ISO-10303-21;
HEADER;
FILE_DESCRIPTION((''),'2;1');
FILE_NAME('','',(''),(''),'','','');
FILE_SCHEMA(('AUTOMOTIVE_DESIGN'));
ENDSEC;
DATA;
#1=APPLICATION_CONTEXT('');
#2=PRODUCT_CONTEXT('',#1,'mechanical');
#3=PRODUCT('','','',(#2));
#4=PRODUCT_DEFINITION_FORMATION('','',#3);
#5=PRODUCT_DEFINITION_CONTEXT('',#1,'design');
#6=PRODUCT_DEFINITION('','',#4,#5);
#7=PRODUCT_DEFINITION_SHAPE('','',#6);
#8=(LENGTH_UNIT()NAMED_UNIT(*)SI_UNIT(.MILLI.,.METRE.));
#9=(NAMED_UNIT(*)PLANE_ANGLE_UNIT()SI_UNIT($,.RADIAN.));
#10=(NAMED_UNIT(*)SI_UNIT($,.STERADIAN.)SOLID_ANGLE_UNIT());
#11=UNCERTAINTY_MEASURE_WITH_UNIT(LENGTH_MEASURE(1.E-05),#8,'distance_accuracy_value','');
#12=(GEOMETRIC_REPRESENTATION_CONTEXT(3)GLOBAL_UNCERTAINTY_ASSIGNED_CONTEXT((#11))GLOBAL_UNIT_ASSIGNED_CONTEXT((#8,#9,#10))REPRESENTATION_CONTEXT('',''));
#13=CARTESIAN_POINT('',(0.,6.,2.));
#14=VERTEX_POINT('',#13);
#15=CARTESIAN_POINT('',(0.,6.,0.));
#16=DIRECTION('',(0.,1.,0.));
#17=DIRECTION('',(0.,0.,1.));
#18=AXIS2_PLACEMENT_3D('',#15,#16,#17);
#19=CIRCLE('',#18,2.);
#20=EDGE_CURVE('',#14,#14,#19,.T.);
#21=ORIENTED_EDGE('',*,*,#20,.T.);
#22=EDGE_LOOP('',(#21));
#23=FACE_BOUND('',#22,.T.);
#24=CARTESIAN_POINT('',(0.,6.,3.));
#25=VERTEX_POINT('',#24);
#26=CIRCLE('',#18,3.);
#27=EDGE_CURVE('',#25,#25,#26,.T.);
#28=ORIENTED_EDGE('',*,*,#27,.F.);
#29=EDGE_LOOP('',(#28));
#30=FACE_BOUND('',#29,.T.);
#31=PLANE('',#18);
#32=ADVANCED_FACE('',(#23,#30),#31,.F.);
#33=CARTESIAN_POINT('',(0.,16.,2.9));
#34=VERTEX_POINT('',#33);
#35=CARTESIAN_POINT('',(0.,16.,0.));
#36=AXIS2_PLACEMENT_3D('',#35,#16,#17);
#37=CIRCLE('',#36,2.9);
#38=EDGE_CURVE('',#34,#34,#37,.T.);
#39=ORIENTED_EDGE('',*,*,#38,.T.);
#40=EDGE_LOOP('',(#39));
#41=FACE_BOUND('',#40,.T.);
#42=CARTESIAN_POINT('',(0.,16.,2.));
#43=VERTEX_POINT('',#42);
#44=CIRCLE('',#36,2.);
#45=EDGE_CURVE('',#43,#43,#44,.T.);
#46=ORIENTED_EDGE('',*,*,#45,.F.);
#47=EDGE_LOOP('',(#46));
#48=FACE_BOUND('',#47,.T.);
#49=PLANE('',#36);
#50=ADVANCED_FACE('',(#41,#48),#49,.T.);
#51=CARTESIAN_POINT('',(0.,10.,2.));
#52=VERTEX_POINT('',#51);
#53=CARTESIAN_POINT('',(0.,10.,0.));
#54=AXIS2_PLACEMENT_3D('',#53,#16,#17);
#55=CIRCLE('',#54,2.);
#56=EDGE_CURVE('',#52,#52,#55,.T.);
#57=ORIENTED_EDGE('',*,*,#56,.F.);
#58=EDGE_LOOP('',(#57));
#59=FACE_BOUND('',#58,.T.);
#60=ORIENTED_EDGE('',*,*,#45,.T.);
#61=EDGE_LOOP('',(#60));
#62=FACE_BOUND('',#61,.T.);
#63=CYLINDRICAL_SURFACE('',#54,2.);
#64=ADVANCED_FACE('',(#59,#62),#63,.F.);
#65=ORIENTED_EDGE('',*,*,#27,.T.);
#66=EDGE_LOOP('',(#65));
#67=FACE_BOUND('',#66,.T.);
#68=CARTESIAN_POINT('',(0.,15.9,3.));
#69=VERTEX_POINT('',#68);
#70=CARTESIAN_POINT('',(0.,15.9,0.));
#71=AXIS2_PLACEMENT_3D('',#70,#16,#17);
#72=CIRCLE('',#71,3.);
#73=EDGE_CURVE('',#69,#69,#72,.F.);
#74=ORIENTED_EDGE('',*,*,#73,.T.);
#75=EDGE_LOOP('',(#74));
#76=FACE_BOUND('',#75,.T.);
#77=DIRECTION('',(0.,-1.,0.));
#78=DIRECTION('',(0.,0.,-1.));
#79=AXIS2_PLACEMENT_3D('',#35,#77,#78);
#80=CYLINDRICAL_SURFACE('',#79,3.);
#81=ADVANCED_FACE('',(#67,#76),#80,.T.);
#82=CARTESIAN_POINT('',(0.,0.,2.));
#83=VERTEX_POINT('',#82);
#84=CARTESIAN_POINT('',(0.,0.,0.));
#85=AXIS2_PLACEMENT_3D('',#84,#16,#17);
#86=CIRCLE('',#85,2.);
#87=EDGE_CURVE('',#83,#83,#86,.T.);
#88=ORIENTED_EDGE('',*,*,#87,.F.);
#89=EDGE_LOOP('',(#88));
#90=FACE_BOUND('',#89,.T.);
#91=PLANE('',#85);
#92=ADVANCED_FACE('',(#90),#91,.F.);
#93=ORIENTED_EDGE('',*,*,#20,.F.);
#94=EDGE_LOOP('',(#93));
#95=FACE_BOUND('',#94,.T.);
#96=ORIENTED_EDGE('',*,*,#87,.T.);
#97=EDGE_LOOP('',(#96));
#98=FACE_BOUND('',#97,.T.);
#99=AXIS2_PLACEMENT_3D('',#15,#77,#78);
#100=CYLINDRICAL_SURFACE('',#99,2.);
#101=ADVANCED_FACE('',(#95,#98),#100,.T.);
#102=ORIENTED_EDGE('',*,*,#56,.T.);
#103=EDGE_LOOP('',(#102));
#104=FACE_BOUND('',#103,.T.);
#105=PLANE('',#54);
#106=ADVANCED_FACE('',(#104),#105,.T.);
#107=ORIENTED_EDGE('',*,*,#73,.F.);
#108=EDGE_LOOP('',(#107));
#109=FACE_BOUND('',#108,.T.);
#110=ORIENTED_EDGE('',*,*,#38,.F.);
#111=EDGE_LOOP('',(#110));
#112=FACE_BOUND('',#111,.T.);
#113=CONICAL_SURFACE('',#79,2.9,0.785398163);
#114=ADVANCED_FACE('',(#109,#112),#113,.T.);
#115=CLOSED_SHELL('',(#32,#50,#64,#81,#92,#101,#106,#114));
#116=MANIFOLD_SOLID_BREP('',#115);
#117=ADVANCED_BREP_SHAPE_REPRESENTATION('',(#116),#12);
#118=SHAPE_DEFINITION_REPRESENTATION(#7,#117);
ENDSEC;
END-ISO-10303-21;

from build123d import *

# Parameters (mm, degrees)
SKETCH1_R           = 2
BOSS_EXTRUDE1_DEPTH = 6
SKETCH2_R           = 3
BOSS_EXTRUDE2_DEPTH = 10
CUT_EXTRUDE1_START  = -6
SKETCH3_R           = 2
CUT_EXTRUDE1_DEPTH  = 6
CHAMFER1_SIZE       = 0.1


with BuildPart() as part:
    # Sketch1 → Boss-Extrude1 (new body)
    with BuildSketch(Plane(origin=(0, 0, 0), x_dir=(1, 0, 0), z_dir=(0, 1, 0))):
        with Locations(Location((0, 0, 0), (0, 0, 270))):
            Circle(SKETCH1_R)
    extrude(amount=BOSS_EXTRUDE1_DEPTH)

    # Sketch2 → Boss-Extrude2 (add)
    with BuildSketch(Plane(origin=(0, 6, 0), x_dir=(1, 0, 0), z_dir=(0, 1, 0))):
        with Locations(Location((0, 0, 0), (0, 0, 270))):
            Circle(SKETCH2_R)
    extrude(amount=BOSS_EXTRUDE2_DEPTH)

    # Sketch3 → Cut-Extrude1 (cut)
    with BuildSketch(Plane(origin=(0, 16, 0), x_dir=(1, 0, 0), z_dir=(0, 1, 0)).offset(CUT_EXTRUDE1_START)):
        with Locations(Location((0, 0, 0), (0, 0, 270))):
            Circle(SKETCH3_R)
    extrude(amount=CUT_EXTRUDE1_DEPTH, mode=Mode.SUBTRACT)

    # Chamfer1
    chamfer1_edges = [part.edges().sort_by_distance(p)[0] for p in [
        (0, 16, -3),
    ]]
    chamfer(chamfer1_edges, length=CHAMFER1_SIZE)


solid = part.part
